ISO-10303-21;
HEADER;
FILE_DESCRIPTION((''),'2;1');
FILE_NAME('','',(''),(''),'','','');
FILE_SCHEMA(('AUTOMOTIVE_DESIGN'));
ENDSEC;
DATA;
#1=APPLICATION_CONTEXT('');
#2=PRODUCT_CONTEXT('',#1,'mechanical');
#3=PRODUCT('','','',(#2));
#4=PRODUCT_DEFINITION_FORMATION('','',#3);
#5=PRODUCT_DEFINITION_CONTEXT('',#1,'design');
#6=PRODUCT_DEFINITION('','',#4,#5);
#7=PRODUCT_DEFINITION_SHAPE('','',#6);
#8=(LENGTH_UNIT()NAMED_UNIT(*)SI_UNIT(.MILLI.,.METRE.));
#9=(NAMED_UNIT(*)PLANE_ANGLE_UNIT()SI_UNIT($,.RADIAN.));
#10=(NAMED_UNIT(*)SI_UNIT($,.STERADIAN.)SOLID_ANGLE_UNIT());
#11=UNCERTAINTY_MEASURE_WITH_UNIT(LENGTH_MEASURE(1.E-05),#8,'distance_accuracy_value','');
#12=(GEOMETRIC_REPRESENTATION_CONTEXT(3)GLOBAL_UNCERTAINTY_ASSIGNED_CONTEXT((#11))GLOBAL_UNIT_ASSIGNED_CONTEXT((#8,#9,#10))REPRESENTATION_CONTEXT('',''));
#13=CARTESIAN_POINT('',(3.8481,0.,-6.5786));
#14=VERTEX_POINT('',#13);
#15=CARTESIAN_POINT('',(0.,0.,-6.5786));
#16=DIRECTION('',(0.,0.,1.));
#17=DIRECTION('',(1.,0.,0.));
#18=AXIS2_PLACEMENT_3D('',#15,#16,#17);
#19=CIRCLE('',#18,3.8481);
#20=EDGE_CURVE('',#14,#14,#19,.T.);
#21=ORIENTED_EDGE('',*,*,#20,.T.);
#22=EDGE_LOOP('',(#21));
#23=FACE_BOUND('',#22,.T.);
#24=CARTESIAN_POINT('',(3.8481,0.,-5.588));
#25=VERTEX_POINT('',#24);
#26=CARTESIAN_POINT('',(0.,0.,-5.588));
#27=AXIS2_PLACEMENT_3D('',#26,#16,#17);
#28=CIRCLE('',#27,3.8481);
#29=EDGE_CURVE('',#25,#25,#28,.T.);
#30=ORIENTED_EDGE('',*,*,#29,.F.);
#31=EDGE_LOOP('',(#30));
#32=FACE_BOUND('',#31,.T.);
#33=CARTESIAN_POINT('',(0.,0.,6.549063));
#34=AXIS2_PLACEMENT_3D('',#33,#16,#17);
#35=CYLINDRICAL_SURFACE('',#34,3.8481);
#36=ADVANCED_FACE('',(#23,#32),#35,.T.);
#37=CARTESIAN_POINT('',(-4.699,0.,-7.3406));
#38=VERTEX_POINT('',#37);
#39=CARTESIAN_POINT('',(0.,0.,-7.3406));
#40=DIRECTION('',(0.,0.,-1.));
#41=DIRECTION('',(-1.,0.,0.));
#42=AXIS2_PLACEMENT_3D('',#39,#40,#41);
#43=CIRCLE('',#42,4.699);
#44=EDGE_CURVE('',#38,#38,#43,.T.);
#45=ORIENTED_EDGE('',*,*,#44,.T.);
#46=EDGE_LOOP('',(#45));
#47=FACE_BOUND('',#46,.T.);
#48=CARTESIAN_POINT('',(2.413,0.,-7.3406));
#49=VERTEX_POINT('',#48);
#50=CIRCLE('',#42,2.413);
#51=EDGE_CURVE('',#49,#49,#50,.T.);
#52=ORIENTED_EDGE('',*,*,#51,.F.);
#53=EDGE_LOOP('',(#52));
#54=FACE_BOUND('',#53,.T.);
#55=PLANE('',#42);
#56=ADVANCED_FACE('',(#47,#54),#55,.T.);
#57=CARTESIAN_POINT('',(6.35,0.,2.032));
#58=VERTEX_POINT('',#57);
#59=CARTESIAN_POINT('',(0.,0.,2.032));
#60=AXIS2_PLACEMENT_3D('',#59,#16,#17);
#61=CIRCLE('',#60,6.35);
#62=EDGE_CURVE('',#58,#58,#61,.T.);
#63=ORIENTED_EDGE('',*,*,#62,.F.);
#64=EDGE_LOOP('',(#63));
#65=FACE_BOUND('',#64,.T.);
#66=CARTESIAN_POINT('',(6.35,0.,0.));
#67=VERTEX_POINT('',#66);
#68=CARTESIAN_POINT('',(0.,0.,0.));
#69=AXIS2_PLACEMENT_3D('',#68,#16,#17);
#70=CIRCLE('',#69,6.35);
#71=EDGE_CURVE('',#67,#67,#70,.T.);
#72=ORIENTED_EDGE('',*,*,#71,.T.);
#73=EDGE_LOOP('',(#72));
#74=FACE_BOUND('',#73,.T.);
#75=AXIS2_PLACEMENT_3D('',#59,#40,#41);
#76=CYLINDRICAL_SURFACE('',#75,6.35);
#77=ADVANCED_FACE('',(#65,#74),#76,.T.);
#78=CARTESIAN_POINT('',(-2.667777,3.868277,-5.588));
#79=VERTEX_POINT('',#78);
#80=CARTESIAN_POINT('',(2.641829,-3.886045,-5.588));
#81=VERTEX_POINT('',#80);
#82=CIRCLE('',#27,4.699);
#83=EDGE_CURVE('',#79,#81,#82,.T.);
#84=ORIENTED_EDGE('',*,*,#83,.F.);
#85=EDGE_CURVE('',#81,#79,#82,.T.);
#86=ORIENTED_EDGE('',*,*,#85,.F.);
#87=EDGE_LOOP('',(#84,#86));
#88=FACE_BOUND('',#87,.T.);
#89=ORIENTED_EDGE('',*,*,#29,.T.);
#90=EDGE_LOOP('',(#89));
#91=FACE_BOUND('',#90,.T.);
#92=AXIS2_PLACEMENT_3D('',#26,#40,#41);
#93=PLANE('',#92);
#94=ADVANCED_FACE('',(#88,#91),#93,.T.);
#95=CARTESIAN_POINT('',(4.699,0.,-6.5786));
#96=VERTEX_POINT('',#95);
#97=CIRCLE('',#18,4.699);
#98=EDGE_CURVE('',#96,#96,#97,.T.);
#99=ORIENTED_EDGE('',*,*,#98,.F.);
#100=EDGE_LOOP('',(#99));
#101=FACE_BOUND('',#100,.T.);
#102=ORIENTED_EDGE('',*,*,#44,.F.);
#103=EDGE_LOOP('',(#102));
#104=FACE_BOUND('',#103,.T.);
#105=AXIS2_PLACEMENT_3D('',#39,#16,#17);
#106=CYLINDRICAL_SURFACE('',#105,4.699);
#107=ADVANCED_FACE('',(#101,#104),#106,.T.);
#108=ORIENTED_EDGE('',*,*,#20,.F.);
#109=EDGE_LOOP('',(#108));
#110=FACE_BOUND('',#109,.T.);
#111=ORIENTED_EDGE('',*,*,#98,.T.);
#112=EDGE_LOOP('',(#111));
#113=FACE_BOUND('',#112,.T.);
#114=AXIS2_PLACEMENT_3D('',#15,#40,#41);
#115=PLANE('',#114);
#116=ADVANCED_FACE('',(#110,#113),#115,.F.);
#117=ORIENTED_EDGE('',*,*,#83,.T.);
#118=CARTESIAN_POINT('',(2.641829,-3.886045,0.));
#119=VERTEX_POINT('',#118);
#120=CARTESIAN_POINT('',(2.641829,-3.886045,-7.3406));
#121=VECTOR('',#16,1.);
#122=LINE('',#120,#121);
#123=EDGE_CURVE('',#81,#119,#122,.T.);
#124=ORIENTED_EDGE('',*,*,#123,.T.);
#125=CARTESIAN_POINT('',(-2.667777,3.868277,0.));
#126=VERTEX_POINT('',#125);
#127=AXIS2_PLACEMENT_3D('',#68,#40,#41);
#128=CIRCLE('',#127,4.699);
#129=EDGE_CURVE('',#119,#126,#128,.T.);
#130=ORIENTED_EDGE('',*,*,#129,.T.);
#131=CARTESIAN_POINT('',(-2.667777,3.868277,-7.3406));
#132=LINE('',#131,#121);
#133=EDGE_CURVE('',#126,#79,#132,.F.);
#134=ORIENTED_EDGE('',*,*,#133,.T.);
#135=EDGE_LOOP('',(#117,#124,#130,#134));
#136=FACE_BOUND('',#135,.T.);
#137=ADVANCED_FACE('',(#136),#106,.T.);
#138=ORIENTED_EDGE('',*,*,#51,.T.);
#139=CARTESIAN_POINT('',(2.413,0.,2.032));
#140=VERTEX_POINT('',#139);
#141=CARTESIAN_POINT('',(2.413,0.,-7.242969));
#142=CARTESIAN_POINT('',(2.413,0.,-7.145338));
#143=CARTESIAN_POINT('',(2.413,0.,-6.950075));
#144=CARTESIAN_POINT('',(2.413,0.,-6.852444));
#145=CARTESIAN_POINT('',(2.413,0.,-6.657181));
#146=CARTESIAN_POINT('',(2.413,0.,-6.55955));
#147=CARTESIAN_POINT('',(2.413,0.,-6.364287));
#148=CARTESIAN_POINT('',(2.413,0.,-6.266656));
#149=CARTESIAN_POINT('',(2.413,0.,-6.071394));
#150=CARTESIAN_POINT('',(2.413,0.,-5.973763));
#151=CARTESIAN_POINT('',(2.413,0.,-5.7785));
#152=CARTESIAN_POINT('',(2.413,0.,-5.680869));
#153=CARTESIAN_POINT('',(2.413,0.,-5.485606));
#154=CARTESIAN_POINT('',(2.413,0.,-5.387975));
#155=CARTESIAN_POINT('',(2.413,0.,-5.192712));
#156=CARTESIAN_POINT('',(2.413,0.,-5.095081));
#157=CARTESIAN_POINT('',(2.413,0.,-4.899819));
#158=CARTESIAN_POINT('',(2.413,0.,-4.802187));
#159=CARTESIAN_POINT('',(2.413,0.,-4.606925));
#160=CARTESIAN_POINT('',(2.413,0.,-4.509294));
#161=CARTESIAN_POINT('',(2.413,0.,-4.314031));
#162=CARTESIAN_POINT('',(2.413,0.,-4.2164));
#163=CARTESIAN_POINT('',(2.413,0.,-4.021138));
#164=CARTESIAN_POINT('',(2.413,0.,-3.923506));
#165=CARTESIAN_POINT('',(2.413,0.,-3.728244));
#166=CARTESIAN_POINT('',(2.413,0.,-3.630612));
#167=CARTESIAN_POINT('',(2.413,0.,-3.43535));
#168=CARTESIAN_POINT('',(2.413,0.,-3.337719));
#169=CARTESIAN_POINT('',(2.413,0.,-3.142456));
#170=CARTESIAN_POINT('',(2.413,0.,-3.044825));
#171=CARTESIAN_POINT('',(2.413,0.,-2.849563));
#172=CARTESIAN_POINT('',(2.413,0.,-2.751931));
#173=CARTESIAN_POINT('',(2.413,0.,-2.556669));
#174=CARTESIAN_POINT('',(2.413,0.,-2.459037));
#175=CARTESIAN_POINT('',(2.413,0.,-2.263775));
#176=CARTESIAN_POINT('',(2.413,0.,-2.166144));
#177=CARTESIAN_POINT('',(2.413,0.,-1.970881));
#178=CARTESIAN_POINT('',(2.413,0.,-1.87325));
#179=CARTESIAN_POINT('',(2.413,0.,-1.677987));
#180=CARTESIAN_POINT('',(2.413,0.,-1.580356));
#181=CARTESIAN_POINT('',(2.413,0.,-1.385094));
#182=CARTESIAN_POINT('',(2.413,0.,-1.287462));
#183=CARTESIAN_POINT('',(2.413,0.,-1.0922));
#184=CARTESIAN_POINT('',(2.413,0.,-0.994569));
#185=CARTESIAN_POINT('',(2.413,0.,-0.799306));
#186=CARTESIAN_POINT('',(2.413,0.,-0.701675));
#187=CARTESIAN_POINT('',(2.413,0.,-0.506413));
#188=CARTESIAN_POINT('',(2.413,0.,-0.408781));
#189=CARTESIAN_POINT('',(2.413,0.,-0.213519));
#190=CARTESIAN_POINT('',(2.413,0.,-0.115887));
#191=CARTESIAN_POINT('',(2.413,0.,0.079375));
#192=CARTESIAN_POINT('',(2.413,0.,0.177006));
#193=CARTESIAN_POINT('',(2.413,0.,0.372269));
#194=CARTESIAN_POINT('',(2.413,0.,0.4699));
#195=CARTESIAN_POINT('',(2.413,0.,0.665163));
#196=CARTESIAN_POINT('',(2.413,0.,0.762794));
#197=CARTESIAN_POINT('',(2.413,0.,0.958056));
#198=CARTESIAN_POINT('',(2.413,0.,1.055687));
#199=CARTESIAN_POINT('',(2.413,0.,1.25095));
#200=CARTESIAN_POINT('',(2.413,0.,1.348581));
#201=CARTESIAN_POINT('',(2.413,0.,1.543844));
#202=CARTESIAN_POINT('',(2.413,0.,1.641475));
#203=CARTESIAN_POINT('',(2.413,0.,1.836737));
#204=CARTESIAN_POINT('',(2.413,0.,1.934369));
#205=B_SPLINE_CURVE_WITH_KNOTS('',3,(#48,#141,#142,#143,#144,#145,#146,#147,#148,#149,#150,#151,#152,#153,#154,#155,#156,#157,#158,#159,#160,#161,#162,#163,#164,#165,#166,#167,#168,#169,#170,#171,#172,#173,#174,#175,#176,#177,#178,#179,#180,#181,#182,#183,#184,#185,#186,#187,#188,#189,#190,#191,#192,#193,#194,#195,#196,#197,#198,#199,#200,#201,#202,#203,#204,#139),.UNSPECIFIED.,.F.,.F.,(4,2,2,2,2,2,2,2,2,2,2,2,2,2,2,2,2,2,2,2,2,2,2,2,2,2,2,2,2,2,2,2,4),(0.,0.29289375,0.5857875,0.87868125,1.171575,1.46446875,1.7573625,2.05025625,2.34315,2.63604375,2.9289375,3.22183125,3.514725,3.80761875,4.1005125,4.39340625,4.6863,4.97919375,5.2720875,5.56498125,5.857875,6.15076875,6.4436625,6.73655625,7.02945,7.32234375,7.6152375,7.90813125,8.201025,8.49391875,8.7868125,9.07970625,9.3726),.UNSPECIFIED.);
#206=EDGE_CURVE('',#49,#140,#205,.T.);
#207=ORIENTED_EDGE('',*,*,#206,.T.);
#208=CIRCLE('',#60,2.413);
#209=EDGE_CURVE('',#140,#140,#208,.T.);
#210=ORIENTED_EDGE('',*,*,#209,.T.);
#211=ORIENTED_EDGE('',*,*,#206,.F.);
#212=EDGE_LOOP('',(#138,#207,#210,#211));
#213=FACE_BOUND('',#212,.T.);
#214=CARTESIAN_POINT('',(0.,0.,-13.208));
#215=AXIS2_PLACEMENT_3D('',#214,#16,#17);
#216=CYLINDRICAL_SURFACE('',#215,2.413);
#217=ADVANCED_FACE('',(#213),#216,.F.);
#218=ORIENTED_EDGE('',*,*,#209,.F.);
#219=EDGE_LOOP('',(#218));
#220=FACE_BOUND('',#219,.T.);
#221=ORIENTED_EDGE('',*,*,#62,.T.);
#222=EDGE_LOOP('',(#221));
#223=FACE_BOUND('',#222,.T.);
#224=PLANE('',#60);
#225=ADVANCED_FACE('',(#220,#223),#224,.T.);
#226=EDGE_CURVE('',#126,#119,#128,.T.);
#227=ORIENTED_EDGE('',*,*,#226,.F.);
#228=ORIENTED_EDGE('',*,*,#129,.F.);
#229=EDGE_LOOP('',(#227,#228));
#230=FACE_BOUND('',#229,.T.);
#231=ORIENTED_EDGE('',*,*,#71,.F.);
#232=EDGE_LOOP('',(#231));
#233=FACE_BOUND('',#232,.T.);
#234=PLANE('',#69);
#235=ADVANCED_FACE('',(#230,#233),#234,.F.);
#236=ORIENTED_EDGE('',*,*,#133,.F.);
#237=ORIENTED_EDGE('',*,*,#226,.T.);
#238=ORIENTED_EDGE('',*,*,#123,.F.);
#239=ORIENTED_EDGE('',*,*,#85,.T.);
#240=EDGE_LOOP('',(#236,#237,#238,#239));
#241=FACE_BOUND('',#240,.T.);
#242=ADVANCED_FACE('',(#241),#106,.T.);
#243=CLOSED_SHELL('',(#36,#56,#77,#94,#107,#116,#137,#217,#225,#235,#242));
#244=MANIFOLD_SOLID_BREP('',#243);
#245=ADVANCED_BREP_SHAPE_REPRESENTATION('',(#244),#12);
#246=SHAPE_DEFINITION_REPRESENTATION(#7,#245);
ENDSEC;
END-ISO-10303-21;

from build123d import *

# Parameters (mm, degrees)
SKETCH1_R           = 6.35
BOSS_EXTRUDE1_DEPTH = 2.032
SKETCH2_R           = 4.699
BOSS_EXTRUDE2_DEPTH = 7.3406
SKETCH4_W           = 0.9906
SKETCH4_H           = 0.8509
SKETCH8_R           = 2.413
CUT_EXTRUDE2_DEPTH  = 15.24


with BuildPart() as part:
    # Sketch1 → Boss-Extrude1 (new body)
    with BuildSketch(Plane.XY):
        Circle(SKETCH1_R)
    extrude(amount=BOSS_EXTRUDE1_DEPTH)

    # Sketch2 → Boss-Extrude2 (add)
    with BuildSketch(Plane(origin=(0, 0, 0), x_dir=(-1, 0, 0), z_dir=(0, 0, -1))):
        Circle(SKETCH2_R)
    extrude(amount=BOSS_EXTRUDE2_DEPTH)

    # Sketch4 → Cut-Revolve1 (revolve, cut)
    with BuildSketch(Plane(origin=(0, 0, 0), x_dir=(0, 0, -1), z_dir=(1, 0, 0)), mode=Mode.PRIVATE) as cut_revolve1_sk:
        with Locations((6.0833, 4.27355)):
            Rectangle(SKETCH4_W, SKETCH4_H)
    revolve(cut_revolve1_sk.sketch.rotate(Axis((0, 0, 6.549062663), (0, 0, -1)), 90), axis=Axis((0, 0, 6.549062663), (0, 0, -1)), mode=Mode.SUBTRACT)

    # Sketch8 → Cut-Extrude2 (cut)
    with BuildSketch(Plane.XY.offset(2.032)):
        Circle(SKETCH8_R)
    extrude(amount=-CUT_EXTRUDE2_DEPTH, mode=Mode.SUBTRACT)


solid = part.part
